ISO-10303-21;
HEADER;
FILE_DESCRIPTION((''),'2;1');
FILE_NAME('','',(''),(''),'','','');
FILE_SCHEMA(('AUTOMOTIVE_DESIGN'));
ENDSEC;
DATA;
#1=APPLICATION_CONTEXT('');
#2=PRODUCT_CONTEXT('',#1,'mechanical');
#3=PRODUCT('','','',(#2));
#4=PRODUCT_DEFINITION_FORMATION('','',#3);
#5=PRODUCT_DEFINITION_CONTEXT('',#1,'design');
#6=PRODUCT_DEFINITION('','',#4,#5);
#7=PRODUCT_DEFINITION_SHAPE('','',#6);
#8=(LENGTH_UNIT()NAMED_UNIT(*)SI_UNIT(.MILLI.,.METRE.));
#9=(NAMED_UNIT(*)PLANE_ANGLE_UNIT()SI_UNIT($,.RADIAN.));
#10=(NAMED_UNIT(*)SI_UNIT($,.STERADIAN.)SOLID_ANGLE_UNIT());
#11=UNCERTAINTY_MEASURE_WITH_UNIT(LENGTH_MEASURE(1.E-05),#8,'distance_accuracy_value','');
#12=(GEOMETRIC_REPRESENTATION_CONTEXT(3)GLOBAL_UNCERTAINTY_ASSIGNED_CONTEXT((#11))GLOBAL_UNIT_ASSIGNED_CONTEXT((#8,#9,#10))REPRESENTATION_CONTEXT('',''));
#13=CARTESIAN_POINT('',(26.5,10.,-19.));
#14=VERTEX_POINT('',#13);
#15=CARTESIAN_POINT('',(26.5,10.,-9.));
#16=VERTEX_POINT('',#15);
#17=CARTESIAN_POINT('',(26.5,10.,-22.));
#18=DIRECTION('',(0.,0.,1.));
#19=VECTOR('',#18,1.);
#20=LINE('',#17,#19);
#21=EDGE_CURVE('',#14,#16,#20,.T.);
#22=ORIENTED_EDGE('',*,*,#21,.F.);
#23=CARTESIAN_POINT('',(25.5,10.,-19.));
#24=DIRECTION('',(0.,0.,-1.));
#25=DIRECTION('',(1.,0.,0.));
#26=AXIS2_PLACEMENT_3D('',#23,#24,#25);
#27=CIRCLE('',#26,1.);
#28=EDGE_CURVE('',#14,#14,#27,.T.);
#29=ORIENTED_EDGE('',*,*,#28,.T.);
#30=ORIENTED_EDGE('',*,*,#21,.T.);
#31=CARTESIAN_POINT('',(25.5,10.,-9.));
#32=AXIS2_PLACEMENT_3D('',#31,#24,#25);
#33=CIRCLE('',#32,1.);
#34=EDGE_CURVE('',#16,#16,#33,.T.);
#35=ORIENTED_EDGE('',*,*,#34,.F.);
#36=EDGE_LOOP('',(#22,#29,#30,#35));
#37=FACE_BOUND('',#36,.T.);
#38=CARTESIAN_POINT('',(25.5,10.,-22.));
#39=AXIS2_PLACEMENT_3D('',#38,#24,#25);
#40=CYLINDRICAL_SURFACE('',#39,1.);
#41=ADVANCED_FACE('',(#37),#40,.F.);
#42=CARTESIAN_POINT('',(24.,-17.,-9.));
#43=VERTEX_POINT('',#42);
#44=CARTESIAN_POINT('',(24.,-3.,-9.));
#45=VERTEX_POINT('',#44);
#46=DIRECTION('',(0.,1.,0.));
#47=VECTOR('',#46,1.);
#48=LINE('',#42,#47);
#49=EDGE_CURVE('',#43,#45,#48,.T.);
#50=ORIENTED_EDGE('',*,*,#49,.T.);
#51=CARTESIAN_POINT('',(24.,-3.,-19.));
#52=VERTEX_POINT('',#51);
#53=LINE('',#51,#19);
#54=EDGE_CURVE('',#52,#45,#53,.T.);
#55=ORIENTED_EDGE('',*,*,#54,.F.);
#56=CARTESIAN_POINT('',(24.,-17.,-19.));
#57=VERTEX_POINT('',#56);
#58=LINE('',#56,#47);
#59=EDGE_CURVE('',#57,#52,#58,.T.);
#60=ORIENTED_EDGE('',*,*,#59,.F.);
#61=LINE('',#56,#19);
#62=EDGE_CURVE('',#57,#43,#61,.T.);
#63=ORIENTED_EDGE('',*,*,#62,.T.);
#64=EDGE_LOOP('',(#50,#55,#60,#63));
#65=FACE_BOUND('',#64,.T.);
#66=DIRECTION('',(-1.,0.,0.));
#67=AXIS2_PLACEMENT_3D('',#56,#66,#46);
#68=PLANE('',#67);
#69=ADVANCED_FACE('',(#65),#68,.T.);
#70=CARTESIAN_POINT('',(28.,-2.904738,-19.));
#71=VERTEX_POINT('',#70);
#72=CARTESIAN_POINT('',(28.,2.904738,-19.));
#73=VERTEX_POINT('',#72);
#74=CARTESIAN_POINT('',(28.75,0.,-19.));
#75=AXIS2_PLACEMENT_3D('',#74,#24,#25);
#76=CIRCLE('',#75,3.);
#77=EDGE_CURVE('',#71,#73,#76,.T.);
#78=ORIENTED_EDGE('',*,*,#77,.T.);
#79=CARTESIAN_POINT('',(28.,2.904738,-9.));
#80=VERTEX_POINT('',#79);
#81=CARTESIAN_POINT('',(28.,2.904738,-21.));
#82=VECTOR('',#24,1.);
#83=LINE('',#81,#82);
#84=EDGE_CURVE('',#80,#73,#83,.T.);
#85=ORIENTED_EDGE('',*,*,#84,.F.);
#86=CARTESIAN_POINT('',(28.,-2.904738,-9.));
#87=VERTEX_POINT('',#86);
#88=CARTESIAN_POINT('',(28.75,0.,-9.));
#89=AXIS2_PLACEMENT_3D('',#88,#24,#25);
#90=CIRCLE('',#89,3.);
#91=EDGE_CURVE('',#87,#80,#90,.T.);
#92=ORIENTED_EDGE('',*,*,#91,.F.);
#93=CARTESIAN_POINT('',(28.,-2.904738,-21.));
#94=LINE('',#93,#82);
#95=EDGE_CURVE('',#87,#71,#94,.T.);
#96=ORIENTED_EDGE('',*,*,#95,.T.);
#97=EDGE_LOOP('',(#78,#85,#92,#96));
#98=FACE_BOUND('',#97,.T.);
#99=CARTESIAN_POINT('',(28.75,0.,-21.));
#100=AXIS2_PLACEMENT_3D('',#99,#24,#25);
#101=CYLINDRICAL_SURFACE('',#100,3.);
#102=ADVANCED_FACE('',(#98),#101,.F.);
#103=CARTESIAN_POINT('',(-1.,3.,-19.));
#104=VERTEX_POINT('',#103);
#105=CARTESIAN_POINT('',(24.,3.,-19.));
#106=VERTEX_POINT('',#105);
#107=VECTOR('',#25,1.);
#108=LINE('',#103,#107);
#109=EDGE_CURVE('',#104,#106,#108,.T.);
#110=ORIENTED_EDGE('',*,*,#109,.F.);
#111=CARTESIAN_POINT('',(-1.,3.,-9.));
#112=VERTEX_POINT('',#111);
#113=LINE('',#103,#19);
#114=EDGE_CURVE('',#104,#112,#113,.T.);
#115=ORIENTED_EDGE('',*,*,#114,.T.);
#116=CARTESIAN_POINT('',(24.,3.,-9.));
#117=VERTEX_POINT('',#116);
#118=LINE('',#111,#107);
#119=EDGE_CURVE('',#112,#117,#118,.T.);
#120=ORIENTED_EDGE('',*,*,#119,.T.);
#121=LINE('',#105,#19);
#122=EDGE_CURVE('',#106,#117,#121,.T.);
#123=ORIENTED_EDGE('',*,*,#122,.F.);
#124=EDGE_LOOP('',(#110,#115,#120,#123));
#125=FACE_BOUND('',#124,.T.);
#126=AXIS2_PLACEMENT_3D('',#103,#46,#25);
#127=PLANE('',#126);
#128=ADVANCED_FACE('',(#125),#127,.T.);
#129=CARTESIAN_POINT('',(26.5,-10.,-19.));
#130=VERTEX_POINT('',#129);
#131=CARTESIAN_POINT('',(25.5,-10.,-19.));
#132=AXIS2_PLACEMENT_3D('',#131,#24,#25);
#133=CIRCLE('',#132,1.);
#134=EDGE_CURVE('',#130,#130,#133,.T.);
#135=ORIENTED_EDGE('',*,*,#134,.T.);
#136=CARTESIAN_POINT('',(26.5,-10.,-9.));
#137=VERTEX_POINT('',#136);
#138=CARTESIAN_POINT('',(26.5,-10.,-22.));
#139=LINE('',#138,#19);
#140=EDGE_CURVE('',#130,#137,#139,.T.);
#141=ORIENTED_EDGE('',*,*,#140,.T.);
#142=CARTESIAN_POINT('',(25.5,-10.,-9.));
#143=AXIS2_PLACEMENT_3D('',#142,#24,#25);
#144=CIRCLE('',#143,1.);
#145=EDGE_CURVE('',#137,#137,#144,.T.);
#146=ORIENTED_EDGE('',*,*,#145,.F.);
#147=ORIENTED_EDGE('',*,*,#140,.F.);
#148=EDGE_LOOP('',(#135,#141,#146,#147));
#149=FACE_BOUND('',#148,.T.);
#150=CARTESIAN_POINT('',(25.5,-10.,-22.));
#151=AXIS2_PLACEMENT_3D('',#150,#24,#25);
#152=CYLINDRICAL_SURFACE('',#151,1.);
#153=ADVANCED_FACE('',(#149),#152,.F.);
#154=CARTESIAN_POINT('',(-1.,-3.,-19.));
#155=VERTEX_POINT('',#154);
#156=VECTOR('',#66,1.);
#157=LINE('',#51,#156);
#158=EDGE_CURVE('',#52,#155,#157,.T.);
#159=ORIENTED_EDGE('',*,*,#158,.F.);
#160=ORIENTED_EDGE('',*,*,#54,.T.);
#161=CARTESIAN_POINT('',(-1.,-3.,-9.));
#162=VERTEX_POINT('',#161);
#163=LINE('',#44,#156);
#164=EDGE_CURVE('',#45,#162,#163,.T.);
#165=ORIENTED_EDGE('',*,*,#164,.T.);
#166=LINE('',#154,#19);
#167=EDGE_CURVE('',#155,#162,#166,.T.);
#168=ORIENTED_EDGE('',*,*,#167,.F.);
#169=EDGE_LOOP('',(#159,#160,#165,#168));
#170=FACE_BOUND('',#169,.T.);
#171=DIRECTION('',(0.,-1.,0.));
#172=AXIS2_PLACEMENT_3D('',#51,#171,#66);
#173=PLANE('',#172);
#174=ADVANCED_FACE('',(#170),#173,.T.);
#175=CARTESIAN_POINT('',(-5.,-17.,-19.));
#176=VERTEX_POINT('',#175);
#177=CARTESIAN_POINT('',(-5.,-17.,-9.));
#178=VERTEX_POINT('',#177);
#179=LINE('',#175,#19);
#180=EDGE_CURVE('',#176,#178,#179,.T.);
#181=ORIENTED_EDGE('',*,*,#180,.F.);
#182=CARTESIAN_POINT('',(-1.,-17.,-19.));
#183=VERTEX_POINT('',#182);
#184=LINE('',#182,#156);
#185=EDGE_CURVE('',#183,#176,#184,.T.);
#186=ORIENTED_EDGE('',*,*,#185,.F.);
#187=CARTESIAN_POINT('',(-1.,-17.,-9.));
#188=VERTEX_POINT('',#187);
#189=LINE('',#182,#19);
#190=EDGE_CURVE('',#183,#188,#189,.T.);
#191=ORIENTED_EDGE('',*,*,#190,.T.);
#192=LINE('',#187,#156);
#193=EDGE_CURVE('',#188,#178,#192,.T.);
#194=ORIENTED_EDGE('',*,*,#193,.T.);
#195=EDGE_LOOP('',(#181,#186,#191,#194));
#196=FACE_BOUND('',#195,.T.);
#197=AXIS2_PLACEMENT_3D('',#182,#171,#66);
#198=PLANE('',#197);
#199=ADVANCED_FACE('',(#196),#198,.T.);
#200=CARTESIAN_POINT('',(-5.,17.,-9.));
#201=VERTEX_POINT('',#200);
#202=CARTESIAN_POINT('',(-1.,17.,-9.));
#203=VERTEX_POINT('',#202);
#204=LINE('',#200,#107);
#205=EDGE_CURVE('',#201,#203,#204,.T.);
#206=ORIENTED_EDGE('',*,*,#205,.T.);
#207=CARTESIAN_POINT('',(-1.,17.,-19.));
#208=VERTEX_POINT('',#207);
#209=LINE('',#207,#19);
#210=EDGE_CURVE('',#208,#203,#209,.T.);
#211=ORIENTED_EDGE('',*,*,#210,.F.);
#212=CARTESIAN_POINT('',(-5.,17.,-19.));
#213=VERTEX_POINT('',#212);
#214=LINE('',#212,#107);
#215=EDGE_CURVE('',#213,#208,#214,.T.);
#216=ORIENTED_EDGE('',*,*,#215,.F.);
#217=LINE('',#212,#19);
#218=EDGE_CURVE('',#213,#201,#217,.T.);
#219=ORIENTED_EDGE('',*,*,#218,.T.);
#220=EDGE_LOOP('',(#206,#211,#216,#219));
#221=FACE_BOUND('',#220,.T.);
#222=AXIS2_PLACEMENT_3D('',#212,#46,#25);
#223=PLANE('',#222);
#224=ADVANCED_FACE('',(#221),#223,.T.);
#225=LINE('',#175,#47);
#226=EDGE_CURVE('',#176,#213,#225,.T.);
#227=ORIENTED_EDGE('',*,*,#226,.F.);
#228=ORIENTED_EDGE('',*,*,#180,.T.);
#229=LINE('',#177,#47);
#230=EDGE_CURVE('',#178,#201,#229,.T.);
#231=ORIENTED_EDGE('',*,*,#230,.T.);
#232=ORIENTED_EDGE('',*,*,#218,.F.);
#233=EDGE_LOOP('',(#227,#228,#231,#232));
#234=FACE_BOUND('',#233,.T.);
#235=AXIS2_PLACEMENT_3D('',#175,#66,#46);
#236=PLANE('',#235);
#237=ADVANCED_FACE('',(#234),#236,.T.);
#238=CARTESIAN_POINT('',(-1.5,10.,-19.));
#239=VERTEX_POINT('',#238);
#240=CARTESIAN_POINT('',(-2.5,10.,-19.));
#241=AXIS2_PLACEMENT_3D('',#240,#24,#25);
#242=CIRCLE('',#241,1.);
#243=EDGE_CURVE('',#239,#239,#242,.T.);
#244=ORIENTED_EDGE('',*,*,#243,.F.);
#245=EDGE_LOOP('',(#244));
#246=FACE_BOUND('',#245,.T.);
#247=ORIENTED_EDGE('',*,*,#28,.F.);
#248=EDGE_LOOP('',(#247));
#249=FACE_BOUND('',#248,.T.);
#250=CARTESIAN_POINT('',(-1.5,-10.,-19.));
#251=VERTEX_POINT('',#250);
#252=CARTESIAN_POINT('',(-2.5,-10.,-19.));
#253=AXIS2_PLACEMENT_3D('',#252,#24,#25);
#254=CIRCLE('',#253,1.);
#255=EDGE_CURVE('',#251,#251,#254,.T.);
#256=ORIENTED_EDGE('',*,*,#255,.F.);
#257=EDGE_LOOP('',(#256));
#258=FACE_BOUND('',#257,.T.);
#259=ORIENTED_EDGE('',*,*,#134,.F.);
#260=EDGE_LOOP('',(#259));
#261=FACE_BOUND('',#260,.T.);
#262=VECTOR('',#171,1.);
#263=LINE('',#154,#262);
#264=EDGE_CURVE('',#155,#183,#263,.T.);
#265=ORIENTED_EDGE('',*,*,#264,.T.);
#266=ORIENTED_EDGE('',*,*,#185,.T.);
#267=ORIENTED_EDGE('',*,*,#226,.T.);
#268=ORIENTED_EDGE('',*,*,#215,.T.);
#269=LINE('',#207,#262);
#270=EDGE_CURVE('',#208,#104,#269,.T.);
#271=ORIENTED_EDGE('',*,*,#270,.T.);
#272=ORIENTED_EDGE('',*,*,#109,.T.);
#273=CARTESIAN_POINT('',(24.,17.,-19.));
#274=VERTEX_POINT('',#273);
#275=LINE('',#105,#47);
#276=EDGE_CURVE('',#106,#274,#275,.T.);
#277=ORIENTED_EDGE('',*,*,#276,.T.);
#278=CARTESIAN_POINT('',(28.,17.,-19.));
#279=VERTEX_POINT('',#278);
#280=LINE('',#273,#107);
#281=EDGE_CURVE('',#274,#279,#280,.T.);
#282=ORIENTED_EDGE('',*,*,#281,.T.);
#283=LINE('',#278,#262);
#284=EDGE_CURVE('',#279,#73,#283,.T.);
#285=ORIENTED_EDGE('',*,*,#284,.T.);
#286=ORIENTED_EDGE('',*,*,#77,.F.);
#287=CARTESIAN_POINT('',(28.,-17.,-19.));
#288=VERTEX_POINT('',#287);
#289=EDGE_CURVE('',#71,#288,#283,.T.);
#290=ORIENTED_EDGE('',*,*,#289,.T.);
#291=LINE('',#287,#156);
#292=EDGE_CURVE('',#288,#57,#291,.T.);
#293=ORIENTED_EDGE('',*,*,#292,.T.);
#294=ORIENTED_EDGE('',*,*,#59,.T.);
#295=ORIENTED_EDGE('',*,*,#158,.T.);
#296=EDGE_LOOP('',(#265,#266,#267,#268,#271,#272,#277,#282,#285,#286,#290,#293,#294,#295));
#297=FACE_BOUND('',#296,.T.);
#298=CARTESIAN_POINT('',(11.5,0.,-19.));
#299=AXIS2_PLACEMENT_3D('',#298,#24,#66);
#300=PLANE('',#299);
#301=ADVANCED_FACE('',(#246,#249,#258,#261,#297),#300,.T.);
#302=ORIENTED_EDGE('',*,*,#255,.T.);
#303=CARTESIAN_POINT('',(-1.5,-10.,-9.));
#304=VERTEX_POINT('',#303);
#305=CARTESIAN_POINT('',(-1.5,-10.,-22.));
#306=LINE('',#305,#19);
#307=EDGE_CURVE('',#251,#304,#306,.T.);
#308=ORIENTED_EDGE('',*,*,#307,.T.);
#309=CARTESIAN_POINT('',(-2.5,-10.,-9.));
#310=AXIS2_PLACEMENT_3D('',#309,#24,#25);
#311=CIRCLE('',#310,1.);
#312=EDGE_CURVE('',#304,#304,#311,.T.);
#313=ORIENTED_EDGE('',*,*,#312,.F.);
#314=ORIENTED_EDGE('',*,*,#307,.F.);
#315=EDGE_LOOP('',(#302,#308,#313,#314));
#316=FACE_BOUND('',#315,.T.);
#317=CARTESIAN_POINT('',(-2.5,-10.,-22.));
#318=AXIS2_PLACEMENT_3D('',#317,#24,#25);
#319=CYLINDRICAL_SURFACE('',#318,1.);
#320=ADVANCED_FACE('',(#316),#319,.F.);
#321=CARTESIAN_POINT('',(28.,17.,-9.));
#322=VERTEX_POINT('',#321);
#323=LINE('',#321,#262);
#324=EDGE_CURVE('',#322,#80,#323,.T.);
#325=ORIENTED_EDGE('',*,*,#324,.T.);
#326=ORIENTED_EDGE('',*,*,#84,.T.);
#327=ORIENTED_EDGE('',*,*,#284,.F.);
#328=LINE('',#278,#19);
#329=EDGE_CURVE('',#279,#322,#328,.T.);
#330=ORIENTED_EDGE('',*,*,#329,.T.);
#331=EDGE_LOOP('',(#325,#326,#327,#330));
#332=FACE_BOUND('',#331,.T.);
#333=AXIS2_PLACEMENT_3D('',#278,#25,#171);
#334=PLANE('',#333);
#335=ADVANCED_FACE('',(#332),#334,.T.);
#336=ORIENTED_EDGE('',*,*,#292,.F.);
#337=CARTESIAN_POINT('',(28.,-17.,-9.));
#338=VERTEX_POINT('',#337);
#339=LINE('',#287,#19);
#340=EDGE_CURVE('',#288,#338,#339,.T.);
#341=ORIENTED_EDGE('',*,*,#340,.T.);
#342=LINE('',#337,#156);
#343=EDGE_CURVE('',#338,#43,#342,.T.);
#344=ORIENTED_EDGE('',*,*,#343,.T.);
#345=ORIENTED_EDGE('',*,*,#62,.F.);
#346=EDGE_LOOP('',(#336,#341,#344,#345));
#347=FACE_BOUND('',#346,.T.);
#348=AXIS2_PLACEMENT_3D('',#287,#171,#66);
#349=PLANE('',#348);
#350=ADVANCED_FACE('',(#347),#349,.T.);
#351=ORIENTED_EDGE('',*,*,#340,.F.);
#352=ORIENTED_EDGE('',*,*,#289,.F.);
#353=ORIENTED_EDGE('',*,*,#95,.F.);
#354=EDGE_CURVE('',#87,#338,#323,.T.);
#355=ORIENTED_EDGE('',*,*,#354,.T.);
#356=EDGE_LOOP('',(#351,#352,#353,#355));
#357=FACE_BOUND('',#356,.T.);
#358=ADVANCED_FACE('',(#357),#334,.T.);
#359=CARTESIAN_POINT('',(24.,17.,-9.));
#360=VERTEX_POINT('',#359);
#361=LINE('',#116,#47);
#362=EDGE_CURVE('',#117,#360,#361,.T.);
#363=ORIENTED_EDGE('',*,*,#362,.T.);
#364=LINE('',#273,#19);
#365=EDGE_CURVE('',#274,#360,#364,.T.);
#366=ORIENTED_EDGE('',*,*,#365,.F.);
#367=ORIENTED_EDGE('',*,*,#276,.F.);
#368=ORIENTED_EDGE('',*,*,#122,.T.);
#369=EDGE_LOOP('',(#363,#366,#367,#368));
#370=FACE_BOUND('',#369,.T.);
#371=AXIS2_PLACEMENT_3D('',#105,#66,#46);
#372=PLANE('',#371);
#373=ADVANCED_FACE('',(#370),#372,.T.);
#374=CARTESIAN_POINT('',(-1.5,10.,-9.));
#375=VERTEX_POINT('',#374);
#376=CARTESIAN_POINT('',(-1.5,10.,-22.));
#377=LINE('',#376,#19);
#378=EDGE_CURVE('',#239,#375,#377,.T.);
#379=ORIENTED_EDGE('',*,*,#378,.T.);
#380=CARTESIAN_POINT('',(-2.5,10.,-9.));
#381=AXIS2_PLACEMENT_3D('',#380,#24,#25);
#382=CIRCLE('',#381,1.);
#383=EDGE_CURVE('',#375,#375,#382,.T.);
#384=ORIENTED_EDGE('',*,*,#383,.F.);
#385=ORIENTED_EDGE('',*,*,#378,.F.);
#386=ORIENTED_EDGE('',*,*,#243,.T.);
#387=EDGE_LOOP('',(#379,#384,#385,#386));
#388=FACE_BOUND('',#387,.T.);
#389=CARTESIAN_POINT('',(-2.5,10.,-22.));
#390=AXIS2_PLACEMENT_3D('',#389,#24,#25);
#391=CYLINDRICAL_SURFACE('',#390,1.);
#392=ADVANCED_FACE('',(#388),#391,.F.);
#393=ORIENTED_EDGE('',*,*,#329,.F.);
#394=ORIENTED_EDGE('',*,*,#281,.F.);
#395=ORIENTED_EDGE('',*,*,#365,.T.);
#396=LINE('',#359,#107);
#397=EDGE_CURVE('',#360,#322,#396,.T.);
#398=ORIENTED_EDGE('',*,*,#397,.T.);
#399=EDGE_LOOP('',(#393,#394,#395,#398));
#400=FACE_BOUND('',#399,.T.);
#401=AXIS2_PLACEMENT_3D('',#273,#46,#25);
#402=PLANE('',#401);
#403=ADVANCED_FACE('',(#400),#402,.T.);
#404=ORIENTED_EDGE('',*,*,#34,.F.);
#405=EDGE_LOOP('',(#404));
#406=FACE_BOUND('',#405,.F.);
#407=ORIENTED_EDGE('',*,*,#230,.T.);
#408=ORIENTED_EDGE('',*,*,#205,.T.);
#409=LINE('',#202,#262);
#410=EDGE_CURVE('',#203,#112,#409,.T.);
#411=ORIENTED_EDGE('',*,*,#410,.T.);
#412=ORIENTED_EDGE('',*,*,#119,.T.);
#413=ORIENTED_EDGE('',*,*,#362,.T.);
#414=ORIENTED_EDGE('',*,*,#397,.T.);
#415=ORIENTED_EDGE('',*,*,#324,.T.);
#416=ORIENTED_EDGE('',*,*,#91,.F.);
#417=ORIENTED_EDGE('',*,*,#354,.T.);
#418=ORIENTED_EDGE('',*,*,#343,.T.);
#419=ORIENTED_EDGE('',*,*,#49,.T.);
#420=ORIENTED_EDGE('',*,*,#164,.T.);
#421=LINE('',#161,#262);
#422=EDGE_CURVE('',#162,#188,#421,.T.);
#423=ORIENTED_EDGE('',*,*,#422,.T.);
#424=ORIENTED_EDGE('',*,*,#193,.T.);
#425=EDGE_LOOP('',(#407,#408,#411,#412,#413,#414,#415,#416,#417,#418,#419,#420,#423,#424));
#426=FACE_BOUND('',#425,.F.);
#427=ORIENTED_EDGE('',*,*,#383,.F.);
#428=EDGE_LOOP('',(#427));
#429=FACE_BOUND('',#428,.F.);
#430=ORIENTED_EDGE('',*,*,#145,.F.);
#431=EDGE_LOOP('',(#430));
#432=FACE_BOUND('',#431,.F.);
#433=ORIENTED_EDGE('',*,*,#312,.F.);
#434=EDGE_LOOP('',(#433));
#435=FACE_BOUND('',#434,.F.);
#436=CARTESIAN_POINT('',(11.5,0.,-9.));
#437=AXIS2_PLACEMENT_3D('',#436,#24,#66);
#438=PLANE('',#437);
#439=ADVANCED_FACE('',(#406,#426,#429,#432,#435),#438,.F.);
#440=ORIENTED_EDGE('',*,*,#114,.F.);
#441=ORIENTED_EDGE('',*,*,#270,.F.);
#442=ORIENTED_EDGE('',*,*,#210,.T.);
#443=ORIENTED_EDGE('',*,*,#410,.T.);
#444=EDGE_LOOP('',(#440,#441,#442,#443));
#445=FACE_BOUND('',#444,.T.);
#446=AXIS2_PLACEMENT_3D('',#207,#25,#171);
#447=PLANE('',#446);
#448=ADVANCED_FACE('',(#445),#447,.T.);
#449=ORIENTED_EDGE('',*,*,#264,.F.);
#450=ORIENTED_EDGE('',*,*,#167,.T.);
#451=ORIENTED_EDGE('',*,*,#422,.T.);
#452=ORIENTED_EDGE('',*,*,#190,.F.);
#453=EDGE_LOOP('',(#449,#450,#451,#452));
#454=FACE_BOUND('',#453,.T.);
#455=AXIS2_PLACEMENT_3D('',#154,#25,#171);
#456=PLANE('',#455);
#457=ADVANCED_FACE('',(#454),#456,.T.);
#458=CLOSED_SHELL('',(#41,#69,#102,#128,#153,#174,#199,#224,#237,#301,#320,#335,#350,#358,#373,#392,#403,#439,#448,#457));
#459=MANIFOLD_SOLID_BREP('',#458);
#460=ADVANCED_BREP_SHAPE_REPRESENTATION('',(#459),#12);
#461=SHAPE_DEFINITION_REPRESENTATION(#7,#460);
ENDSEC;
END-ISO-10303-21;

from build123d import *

# Parameters (mm, degrees)
CYLINDER156_R     = 3
CYLINDER156_DEPTH = 20
CYLINDER107_R     = 1
CYLINDER107_DEPTH = 15
CYLINDER108_R     = 1
CYLINDER108_DEPTH = 15
CYLINDER106_R     = 1
CYLINDER106_DEPTH = 15
CYLINDER105_R     = 1
CYLINDER105_DEPTH = 15
PAD005_DEPTH      = 10


with BuildPart() as zylinder156:
    # Cylinder156 → Cylinder156 (new body)
    with BuildSketch(Plane(origin=(28.75, 0, -21), x_dir=(1, 0, 0), z_dir=(0, 0, 1))):
        Circle(CYLINDER156_R)
    extrude(amount=CYLINDER156_DEPTH)


with BuildPart() as zylinder107:
    # Cylinder107 → Cylinder107 (new body)
    with BuildSketch(Plane(origin=(25.5, -10, -20), x_dir=(1, 0, 0), z_dir=(0, 0, 1))):
        Circle(CYLINDER107_R)
    extrude(amount=CYLINDER107_DEPTH)


with BuildPart() as zylinder108:
    # Cylinder108 → Cylinder108 (new body)
    with BuildSketch(Plane(origin=(25.5, 10, -20), x_dir=(1, 0, 0), z_dir=(0, 0, 1))):
        Circle(CYLINDER108_R)
    extrude(amount=CYLINDER108_DEPTH)


with BuildPart() as zylinder106:
    # Cylinder106 → Cylinder106 (new body)
    with BuildSketch(Plane(origin=(-2.5, -10, -20), x_dir=(1, 0, 0), z_dir=(0, 0, 1))):
        Circle(CYLINDER106_R)
    extrude(amount=CYLINDER106_DEPTH)


with BuildPart() as fusion074:
    # Cylinder105 → Cylinder105 (new body)
    with BuildSketch(Plane(origin=(-2.5, 10, -20), x_dir=(1, 0, 0), z_dir=(0, 0, 1))):
        Circle(CYLINDER105_R)
    extrude(amount=CYLINDER105_DEPTH)

    # Fusion074: union Zylinder107, Zylinder108, Zylinder106
    add(zylinder107.part)
    add(zylinder108.part)
    add(zylinder106.part)


with BuildPart() as fusion074_1:
    # Fusion074 placement: moved
    add(fusion074.part.moved(Location((0, 0, 17))))


with BuildPart() as cut076:
    # Sketch004 → Pad005 (new body)
    with BuildSketch(Plane.XY):
        Polygon((-5, 17), (-1, 17), (-1, 3), (24, 3), (24, 17), (28, 17), (28, -17), (24, -17), (24, -3), (-1, -3), (-1, -17), (-5, -17), align=None)
    extrude(amount=PAD005_DEPTH)

    # Cut055: cut Fusion074
    add(fusion074_1.part, mode=Mode.SUBTRACT)


with BuildPart() as cut076_1:
    # Cut055 placement: moved
    add(cut076.part.moved(Location((0, 0, -19))))

    # Cut076: cut Zylinder156
    add(zylinder156.part, mode=Mode.SUBTRACT)


solid = cut076_1.part
